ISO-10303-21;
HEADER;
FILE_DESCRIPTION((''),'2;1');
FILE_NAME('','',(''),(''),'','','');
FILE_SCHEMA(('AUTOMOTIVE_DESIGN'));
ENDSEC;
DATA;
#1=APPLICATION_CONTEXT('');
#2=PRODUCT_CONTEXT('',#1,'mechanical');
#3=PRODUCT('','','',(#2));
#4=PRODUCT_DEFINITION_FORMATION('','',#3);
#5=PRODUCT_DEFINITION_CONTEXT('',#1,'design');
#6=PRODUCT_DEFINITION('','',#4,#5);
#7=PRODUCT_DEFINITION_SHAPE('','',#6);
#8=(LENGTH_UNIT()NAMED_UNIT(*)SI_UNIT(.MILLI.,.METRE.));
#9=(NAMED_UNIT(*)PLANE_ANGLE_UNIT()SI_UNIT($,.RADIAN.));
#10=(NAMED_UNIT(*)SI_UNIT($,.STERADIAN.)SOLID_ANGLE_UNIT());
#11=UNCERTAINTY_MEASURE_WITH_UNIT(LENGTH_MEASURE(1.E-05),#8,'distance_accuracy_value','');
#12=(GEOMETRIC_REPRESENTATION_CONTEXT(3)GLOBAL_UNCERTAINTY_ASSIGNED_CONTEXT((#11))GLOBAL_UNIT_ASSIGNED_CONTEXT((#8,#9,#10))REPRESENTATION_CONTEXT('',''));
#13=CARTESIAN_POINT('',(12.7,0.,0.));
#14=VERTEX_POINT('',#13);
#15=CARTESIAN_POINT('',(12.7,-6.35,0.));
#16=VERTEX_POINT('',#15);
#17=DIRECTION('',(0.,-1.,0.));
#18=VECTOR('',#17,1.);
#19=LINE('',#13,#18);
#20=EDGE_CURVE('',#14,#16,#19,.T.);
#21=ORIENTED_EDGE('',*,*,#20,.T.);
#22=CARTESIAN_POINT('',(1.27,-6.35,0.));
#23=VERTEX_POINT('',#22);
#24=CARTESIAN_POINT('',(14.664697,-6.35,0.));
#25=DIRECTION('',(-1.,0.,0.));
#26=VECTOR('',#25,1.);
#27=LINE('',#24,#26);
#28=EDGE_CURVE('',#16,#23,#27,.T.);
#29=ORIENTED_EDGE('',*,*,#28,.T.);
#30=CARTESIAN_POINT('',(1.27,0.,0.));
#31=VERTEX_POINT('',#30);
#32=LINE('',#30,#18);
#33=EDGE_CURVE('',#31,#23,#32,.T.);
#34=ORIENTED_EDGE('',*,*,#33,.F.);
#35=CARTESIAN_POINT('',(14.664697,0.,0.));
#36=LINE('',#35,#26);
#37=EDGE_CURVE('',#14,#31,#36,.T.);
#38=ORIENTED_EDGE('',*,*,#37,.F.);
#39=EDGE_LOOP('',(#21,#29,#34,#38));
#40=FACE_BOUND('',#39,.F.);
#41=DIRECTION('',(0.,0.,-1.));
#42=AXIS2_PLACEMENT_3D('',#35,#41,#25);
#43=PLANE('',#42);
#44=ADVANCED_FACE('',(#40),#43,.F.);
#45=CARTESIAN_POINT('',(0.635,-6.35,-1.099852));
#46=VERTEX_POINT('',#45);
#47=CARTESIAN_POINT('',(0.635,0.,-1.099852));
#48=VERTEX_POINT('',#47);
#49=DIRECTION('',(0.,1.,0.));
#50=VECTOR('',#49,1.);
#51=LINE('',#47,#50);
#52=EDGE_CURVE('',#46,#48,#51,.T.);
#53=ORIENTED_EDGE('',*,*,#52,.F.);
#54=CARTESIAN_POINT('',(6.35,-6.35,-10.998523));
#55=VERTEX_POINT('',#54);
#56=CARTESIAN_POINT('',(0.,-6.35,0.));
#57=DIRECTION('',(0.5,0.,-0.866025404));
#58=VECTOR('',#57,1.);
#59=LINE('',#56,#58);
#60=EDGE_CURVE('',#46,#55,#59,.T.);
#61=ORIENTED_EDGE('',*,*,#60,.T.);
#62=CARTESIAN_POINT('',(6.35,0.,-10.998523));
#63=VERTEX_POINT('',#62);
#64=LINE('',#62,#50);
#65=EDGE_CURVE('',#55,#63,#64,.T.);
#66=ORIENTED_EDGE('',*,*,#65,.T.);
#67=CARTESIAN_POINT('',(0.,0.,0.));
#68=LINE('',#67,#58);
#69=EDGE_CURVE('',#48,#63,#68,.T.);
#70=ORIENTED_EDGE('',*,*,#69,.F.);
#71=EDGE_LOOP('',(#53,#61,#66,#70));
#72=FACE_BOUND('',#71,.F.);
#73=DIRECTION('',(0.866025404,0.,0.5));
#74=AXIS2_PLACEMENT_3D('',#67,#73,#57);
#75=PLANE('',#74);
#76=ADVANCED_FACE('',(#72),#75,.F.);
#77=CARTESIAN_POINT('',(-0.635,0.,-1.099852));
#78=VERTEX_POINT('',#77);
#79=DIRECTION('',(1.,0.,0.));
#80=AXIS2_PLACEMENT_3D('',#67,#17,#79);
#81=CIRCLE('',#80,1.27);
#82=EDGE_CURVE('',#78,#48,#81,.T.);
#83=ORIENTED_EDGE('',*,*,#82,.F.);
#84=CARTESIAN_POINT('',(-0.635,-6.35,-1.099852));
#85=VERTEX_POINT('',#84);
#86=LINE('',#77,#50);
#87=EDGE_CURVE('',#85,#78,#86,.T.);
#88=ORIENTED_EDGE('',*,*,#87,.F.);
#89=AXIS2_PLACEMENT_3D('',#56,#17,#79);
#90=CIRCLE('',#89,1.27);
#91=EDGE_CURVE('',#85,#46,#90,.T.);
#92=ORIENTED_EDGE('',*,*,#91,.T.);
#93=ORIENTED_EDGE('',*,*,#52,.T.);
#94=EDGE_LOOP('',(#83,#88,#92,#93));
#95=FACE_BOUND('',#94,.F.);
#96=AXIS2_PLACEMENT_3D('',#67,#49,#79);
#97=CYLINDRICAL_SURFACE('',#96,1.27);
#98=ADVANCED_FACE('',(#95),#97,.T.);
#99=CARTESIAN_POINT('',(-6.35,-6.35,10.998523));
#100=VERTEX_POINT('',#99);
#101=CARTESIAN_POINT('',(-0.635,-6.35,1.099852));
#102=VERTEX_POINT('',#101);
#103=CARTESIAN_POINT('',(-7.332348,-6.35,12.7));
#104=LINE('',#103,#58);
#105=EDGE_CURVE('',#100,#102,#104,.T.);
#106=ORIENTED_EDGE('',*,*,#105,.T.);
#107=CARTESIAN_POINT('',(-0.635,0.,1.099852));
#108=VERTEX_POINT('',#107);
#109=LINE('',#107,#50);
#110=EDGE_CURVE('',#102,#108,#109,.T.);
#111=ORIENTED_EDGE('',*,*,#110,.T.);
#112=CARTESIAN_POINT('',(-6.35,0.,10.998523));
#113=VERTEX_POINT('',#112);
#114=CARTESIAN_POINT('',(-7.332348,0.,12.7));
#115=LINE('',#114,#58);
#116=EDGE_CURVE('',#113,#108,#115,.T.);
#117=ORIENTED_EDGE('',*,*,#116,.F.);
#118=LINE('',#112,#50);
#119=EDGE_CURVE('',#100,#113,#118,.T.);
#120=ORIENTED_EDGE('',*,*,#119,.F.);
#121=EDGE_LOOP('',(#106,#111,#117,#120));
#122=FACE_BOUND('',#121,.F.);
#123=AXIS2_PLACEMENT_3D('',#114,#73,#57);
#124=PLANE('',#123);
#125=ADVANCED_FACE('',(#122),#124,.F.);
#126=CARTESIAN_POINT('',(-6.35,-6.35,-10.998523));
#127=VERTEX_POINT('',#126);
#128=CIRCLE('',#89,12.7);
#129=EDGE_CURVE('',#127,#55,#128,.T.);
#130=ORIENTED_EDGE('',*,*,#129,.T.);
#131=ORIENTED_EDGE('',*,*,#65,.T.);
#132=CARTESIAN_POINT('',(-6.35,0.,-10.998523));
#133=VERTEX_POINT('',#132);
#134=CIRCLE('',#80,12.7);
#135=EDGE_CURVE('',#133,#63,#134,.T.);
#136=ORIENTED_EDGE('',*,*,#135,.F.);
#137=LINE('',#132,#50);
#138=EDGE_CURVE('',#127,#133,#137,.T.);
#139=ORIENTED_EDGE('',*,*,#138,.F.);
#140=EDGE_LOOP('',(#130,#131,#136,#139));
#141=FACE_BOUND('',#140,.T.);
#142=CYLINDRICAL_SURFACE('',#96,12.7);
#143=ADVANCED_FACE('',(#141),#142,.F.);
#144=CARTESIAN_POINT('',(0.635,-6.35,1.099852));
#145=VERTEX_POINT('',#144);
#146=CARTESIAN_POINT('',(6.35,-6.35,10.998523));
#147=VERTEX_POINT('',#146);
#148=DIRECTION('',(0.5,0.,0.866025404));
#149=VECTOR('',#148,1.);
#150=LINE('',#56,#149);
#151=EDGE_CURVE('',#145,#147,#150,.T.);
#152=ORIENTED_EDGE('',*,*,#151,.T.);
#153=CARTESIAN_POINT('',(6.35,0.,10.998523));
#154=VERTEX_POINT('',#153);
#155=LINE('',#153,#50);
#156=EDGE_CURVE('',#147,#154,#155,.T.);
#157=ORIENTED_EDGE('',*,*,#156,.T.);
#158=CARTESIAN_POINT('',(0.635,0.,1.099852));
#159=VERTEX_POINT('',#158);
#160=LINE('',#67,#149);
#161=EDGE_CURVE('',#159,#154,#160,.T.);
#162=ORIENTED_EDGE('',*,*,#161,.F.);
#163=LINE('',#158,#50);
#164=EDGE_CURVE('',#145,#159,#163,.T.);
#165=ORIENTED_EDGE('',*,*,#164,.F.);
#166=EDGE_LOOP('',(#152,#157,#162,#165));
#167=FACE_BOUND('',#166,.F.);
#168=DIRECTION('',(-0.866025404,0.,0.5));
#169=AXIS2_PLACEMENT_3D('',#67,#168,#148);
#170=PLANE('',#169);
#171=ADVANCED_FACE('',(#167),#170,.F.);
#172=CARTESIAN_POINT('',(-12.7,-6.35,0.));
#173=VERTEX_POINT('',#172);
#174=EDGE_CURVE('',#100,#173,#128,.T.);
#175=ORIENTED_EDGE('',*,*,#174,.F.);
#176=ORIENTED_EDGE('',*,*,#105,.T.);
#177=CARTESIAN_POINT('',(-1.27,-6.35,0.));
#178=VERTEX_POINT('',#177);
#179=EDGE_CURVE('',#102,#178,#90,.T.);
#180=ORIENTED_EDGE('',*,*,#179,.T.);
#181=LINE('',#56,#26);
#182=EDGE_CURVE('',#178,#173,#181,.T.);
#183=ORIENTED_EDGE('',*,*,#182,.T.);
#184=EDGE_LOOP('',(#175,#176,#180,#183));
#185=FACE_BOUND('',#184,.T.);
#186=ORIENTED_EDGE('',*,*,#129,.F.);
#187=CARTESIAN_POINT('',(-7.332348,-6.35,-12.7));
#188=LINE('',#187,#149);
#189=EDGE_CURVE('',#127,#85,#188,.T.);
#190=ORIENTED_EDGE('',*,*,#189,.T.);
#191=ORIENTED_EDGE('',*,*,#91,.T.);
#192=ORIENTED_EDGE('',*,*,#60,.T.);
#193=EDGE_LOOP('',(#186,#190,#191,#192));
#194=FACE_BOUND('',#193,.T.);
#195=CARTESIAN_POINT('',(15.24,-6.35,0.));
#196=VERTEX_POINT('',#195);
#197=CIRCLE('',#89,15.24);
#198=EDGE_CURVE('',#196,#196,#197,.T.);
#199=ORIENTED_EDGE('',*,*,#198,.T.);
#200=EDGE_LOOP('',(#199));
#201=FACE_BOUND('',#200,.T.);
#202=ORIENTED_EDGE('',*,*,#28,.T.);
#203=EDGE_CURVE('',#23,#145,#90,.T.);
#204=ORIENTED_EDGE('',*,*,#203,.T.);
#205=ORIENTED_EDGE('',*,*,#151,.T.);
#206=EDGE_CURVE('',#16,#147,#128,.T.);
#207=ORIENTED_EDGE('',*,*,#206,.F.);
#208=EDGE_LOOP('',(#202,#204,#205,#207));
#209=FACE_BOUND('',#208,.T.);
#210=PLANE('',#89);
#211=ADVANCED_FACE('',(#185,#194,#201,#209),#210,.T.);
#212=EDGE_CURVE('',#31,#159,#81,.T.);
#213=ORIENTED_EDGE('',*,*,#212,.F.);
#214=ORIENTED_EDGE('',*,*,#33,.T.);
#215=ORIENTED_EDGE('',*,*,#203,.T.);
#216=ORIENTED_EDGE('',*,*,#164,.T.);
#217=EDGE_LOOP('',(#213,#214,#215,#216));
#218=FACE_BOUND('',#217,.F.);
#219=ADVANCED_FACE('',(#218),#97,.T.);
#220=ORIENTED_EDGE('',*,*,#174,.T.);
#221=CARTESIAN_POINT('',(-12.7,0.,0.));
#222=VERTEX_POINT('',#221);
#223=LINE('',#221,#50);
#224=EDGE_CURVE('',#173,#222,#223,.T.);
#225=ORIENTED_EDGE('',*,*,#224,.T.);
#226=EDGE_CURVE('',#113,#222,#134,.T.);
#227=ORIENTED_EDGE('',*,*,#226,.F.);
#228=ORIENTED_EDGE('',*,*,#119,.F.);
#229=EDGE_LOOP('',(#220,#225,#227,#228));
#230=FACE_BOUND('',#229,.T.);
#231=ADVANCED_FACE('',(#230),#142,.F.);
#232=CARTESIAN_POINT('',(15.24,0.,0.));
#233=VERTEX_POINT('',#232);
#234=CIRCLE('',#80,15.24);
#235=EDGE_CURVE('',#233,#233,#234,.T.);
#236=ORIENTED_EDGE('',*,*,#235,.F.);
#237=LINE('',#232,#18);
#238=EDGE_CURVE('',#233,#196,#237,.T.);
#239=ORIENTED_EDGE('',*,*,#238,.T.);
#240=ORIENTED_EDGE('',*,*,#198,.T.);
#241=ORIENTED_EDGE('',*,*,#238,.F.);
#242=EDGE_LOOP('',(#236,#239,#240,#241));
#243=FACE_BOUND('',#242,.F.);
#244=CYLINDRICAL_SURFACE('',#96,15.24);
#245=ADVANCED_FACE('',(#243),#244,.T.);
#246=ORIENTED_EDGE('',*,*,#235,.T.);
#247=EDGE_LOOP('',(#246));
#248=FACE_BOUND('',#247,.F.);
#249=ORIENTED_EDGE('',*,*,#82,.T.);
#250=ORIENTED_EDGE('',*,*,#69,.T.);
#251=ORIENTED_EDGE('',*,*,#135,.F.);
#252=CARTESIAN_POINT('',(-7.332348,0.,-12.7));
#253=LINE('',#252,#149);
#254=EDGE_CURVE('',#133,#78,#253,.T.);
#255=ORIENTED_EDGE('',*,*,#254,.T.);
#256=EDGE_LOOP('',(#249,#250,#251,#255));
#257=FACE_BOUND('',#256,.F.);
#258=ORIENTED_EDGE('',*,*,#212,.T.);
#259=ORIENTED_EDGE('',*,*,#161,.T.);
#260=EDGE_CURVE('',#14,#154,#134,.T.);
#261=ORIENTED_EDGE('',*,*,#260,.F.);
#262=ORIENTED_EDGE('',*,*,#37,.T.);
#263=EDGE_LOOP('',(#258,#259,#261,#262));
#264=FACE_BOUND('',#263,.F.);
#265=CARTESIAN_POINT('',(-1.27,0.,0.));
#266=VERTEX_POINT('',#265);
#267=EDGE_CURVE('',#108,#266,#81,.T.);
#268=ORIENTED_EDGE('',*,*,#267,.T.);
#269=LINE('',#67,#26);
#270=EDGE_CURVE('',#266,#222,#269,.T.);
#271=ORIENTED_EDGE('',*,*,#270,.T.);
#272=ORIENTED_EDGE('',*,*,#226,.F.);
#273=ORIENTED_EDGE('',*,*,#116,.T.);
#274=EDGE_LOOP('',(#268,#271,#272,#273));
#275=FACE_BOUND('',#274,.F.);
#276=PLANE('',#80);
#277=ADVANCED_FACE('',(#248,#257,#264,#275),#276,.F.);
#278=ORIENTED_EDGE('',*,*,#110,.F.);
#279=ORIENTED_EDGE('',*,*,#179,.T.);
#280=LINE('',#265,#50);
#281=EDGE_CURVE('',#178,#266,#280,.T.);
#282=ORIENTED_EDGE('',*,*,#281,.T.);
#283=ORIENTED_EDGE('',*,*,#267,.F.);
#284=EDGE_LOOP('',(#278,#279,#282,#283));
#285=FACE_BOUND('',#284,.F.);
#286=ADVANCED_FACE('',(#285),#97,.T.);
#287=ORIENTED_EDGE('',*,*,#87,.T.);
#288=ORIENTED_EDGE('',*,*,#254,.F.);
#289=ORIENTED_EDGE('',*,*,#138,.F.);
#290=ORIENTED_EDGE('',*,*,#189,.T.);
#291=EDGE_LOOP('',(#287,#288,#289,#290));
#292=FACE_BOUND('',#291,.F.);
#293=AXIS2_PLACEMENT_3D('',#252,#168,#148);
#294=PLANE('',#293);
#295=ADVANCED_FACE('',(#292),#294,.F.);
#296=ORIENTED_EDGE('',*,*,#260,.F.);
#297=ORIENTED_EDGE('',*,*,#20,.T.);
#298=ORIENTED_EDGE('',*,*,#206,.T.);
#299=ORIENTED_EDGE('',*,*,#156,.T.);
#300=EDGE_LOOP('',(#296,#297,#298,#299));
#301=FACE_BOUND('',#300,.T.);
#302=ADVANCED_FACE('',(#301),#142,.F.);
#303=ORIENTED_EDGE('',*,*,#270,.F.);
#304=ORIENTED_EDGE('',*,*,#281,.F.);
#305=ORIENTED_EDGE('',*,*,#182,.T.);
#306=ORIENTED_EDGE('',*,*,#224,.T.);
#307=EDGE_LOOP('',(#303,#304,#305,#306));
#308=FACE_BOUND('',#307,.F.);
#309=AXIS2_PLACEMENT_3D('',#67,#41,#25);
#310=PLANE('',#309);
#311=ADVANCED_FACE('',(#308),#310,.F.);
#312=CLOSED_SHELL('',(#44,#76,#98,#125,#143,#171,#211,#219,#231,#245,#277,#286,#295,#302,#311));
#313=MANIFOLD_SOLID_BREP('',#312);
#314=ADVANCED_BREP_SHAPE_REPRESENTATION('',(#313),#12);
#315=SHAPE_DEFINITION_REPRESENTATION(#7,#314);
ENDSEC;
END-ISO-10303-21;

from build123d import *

# Parameters (mm, degrees)
F1_DEPTH = 6.35
F2_R     = 15.24
F2_R_2   = 12.7
F3_DEPTH = 6.35
F4_R     = 1.27
F5_DEPTH = 6.35


with BuildPart() as f1:
    # F0 (on Front) → F1 (new body)
    with BuildSketch(Plane.XZ):
        Polygon((7.3323484187, 12.7), (-7.3323484187, 12.7), (0, 0), align=None)
    extrude(amount=F1_DEPTH)



with BuildPart() as f1b:
    # F0 (on Front) → F1, piece 2 (new body)
    with BuildSketch(Plane.XZ):
        Polygon((0, 0), (-14.6646968374, 0), (-7.3323484187, -12.7), align=None)
    extrude(amount=F1_DEPTH)


with BuildPart() as f1c:
    # F0 (on Front) → F1, piece 3 (new body)
    with BuildSketch(Plane.XZ):
        Polygon((14.6646968374, 0), (0, 0), (7.3323484187, -12.7), align=None)
    extrude(amount=F1_DEPTH)


with BuildPart() as f1_1:
    add(f1.part)

    add(f1b.part)  # F3 merges F1b

    add(f1c.part)  # F3 merges F1c
    # F2 (on Front) → F3 (join)
    with BuildSketch(Plane.XZ):
        Circle(F2_R)
        Circle(F2_R_2, mode=Mode.SUBTRACT)
    extrude(amount=F3_DEPTH)

    # F4 (on Front) → F5 (join)
    with BuildSketch(Plane.XZ):
        Circle(F4_R)
    extrude(amount=F5_DEPTH)


solid = f1_1.part
